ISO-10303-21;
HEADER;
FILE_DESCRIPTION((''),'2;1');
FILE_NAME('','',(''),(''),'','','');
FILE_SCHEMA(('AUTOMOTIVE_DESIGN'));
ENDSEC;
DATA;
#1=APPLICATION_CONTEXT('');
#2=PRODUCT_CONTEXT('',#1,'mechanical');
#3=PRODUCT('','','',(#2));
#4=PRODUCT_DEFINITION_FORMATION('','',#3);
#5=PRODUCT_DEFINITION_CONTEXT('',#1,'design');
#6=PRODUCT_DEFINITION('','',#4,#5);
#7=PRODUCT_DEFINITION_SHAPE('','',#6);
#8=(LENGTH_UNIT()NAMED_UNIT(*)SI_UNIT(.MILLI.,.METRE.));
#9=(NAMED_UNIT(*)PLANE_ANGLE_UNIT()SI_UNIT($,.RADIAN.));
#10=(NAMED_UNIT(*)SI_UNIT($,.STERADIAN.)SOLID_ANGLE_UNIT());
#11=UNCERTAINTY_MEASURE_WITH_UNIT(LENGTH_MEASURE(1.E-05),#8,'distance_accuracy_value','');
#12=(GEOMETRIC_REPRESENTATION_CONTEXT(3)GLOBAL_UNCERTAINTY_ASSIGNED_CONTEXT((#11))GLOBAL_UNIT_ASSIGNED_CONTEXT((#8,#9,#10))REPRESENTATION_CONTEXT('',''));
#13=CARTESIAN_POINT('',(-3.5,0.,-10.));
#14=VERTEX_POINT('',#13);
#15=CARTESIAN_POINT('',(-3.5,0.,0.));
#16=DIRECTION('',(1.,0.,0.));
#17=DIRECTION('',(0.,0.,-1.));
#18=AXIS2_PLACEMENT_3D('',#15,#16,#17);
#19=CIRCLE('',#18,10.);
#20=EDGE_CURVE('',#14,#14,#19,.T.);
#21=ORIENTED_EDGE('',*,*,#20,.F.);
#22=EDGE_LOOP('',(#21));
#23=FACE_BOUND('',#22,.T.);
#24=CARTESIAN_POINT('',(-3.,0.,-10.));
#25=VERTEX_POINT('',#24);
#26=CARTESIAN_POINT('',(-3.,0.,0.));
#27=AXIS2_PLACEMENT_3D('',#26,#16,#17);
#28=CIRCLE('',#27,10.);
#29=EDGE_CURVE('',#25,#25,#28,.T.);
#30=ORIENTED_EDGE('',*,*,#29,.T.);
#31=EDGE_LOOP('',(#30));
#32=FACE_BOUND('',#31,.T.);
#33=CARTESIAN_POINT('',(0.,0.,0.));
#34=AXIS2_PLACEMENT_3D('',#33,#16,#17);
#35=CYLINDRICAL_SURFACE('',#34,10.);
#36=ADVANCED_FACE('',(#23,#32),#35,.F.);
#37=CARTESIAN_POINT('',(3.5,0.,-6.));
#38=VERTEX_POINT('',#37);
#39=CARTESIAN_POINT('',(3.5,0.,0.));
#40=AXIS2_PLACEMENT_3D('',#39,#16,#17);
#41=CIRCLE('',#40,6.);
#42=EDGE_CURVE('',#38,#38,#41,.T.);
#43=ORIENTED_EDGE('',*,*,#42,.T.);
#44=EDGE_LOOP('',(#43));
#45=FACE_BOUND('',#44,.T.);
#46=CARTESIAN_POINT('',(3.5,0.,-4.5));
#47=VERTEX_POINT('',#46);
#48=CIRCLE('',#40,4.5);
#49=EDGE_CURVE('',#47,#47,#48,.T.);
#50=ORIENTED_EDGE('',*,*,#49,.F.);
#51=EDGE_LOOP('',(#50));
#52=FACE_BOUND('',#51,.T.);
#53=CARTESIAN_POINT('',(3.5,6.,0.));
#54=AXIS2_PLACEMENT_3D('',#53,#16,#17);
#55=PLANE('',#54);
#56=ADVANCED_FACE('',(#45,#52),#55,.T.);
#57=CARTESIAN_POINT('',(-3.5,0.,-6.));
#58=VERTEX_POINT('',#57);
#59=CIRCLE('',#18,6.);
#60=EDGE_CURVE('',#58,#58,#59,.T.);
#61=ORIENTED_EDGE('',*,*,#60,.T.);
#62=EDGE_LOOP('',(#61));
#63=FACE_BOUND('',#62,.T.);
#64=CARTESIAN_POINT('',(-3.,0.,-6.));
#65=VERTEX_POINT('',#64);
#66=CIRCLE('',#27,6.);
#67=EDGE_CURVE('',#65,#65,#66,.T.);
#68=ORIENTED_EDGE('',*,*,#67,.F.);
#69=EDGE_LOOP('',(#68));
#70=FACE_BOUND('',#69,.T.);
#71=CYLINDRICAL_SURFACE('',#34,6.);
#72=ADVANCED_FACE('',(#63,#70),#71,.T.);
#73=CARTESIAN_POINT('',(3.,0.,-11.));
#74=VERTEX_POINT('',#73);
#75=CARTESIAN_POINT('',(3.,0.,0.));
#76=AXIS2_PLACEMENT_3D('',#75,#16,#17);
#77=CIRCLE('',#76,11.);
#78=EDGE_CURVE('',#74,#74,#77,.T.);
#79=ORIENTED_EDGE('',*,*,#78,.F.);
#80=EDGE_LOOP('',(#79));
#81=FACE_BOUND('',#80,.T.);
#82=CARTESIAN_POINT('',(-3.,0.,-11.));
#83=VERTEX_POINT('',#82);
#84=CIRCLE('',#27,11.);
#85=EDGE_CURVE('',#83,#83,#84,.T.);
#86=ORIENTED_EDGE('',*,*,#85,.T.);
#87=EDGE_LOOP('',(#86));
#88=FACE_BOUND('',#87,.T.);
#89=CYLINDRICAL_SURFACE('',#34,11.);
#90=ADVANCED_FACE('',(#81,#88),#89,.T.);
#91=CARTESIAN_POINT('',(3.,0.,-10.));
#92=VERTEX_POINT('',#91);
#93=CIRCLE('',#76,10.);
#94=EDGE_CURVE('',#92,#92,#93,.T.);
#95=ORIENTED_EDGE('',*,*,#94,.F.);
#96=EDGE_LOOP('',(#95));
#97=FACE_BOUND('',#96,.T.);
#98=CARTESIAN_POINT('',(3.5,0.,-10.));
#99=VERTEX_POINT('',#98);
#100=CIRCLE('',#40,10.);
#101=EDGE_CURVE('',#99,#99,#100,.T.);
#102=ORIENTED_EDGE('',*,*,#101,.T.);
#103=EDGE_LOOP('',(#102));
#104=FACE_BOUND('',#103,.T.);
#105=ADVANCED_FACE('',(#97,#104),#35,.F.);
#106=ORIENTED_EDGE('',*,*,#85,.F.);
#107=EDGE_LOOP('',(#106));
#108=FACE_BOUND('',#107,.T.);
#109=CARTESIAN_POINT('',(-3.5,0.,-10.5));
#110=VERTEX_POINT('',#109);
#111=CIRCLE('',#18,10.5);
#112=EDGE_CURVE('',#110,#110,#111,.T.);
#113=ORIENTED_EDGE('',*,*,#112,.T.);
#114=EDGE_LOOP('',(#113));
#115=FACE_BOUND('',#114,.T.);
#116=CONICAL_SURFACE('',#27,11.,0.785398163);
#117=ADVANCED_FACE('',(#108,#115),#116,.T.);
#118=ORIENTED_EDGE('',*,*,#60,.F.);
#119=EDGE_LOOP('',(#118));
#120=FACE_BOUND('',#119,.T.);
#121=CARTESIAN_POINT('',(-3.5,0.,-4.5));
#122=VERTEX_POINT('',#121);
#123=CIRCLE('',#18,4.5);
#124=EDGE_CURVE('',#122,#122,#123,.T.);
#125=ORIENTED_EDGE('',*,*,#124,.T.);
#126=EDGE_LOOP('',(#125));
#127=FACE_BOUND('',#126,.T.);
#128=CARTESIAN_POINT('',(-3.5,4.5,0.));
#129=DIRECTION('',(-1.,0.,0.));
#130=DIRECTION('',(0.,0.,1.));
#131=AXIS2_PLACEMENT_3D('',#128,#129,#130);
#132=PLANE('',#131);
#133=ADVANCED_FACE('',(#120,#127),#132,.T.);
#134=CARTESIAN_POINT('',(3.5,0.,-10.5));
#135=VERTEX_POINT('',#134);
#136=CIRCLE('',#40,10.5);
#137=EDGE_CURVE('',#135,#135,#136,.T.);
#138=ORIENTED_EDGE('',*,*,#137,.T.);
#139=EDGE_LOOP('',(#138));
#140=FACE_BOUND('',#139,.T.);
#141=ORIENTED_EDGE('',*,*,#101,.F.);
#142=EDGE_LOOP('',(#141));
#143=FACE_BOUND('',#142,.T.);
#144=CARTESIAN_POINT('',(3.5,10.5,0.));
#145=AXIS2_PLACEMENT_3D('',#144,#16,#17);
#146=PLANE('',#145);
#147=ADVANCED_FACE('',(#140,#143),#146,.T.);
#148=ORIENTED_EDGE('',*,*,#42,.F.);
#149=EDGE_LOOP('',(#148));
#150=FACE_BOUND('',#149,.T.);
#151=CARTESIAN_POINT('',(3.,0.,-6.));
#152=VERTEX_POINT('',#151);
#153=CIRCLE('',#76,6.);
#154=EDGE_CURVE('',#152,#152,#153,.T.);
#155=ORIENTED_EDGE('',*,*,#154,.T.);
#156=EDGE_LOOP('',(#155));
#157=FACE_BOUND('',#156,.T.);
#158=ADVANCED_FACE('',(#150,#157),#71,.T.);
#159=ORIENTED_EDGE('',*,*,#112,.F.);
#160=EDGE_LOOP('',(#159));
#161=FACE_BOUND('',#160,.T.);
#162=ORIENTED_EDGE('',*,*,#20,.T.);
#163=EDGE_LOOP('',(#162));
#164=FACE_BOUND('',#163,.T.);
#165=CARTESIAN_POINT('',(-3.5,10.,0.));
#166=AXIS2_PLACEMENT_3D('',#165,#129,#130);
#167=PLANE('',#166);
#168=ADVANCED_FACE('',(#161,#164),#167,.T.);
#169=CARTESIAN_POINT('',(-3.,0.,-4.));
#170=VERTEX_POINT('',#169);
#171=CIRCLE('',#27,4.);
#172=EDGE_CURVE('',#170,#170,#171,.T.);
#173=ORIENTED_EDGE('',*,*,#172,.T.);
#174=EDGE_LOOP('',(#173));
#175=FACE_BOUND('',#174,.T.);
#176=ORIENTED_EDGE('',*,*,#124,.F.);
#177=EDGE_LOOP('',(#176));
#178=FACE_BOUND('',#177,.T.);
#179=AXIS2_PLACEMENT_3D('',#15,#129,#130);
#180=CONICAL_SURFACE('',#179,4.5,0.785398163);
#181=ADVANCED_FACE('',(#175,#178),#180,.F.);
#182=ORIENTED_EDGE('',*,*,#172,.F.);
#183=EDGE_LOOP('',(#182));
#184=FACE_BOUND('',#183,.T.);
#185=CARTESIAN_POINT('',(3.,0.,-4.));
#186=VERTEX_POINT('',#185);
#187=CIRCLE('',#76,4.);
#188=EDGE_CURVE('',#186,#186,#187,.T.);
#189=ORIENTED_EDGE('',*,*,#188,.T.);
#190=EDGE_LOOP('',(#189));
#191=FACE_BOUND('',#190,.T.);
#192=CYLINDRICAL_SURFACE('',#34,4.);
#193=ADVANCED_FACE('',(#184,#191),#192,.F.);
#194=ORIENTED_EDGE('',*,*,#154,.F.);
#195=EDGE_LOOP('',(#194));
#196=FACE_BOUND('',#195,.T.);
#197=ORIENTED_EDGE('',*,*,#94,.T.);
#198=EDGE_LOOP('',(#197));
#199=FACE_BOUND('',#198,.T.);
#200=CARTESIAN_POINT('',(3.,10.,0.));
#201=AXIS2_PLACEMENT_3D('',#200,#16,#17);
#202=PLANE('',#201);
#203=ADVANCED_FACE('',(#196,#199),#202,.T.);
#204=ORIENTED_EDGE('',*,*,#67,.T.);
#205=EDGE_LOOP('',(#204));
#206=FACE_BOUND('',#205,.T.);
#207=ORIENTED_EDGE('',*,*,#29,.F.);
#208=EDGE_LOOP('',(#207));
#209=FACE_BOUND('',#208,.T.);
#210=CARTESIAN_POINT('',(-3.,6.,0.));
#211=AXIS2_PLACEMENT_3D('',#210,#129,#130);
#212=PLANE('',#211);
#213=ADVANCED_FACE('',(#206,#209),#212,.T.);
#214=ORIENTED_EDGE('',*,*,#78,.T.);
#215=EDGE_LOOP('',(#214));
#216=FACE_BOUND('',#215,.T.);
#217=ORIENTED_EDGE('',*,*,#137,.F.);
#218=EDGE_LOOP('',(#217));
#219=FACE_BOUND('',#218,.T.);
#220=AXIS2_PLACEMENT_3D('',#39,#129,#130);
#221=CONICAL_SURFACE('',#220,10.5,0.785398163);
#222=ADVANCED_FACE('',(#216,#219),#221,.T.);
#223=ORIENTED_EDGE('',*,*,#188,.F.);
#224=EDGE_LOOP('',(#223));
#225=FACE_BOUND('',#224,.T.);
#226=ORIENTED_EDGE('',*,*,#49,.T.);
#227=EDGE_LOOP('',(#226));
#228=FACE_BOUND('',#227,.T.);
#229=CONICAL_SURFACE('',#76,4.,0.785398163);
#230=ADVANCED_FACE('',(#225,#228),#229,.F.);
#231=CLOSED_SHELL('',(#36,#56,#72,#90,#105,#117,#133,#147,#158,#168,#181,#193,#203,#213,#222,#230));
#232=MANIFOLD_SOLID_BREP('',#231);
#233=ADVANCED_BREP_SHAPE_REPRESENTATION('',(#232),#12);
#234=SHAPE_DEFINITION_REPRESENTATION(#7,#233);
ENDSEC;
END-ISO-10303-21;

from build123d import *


with BuildPart() as part:
    # Esquisse1 → Révolution1 (revolve)
    with BuildSketch(Plane.XY):
        Polygon((-3, 11), (3, 11), (3.5, 10.5), (3.5, 10), (3, 10), (3, 6), (3.5, 6), (3.5, 4.5), (3, 4), (-3, 4), (-3.5, 4.5), (-3.5, 6), (-3, 6), (-3, 10), (-3.5, 10), (-3.5, 10.5), align=None)
    revolve(axis=Axis((0, 0, 0), (-1, 0, 0)))


solid = part.part
